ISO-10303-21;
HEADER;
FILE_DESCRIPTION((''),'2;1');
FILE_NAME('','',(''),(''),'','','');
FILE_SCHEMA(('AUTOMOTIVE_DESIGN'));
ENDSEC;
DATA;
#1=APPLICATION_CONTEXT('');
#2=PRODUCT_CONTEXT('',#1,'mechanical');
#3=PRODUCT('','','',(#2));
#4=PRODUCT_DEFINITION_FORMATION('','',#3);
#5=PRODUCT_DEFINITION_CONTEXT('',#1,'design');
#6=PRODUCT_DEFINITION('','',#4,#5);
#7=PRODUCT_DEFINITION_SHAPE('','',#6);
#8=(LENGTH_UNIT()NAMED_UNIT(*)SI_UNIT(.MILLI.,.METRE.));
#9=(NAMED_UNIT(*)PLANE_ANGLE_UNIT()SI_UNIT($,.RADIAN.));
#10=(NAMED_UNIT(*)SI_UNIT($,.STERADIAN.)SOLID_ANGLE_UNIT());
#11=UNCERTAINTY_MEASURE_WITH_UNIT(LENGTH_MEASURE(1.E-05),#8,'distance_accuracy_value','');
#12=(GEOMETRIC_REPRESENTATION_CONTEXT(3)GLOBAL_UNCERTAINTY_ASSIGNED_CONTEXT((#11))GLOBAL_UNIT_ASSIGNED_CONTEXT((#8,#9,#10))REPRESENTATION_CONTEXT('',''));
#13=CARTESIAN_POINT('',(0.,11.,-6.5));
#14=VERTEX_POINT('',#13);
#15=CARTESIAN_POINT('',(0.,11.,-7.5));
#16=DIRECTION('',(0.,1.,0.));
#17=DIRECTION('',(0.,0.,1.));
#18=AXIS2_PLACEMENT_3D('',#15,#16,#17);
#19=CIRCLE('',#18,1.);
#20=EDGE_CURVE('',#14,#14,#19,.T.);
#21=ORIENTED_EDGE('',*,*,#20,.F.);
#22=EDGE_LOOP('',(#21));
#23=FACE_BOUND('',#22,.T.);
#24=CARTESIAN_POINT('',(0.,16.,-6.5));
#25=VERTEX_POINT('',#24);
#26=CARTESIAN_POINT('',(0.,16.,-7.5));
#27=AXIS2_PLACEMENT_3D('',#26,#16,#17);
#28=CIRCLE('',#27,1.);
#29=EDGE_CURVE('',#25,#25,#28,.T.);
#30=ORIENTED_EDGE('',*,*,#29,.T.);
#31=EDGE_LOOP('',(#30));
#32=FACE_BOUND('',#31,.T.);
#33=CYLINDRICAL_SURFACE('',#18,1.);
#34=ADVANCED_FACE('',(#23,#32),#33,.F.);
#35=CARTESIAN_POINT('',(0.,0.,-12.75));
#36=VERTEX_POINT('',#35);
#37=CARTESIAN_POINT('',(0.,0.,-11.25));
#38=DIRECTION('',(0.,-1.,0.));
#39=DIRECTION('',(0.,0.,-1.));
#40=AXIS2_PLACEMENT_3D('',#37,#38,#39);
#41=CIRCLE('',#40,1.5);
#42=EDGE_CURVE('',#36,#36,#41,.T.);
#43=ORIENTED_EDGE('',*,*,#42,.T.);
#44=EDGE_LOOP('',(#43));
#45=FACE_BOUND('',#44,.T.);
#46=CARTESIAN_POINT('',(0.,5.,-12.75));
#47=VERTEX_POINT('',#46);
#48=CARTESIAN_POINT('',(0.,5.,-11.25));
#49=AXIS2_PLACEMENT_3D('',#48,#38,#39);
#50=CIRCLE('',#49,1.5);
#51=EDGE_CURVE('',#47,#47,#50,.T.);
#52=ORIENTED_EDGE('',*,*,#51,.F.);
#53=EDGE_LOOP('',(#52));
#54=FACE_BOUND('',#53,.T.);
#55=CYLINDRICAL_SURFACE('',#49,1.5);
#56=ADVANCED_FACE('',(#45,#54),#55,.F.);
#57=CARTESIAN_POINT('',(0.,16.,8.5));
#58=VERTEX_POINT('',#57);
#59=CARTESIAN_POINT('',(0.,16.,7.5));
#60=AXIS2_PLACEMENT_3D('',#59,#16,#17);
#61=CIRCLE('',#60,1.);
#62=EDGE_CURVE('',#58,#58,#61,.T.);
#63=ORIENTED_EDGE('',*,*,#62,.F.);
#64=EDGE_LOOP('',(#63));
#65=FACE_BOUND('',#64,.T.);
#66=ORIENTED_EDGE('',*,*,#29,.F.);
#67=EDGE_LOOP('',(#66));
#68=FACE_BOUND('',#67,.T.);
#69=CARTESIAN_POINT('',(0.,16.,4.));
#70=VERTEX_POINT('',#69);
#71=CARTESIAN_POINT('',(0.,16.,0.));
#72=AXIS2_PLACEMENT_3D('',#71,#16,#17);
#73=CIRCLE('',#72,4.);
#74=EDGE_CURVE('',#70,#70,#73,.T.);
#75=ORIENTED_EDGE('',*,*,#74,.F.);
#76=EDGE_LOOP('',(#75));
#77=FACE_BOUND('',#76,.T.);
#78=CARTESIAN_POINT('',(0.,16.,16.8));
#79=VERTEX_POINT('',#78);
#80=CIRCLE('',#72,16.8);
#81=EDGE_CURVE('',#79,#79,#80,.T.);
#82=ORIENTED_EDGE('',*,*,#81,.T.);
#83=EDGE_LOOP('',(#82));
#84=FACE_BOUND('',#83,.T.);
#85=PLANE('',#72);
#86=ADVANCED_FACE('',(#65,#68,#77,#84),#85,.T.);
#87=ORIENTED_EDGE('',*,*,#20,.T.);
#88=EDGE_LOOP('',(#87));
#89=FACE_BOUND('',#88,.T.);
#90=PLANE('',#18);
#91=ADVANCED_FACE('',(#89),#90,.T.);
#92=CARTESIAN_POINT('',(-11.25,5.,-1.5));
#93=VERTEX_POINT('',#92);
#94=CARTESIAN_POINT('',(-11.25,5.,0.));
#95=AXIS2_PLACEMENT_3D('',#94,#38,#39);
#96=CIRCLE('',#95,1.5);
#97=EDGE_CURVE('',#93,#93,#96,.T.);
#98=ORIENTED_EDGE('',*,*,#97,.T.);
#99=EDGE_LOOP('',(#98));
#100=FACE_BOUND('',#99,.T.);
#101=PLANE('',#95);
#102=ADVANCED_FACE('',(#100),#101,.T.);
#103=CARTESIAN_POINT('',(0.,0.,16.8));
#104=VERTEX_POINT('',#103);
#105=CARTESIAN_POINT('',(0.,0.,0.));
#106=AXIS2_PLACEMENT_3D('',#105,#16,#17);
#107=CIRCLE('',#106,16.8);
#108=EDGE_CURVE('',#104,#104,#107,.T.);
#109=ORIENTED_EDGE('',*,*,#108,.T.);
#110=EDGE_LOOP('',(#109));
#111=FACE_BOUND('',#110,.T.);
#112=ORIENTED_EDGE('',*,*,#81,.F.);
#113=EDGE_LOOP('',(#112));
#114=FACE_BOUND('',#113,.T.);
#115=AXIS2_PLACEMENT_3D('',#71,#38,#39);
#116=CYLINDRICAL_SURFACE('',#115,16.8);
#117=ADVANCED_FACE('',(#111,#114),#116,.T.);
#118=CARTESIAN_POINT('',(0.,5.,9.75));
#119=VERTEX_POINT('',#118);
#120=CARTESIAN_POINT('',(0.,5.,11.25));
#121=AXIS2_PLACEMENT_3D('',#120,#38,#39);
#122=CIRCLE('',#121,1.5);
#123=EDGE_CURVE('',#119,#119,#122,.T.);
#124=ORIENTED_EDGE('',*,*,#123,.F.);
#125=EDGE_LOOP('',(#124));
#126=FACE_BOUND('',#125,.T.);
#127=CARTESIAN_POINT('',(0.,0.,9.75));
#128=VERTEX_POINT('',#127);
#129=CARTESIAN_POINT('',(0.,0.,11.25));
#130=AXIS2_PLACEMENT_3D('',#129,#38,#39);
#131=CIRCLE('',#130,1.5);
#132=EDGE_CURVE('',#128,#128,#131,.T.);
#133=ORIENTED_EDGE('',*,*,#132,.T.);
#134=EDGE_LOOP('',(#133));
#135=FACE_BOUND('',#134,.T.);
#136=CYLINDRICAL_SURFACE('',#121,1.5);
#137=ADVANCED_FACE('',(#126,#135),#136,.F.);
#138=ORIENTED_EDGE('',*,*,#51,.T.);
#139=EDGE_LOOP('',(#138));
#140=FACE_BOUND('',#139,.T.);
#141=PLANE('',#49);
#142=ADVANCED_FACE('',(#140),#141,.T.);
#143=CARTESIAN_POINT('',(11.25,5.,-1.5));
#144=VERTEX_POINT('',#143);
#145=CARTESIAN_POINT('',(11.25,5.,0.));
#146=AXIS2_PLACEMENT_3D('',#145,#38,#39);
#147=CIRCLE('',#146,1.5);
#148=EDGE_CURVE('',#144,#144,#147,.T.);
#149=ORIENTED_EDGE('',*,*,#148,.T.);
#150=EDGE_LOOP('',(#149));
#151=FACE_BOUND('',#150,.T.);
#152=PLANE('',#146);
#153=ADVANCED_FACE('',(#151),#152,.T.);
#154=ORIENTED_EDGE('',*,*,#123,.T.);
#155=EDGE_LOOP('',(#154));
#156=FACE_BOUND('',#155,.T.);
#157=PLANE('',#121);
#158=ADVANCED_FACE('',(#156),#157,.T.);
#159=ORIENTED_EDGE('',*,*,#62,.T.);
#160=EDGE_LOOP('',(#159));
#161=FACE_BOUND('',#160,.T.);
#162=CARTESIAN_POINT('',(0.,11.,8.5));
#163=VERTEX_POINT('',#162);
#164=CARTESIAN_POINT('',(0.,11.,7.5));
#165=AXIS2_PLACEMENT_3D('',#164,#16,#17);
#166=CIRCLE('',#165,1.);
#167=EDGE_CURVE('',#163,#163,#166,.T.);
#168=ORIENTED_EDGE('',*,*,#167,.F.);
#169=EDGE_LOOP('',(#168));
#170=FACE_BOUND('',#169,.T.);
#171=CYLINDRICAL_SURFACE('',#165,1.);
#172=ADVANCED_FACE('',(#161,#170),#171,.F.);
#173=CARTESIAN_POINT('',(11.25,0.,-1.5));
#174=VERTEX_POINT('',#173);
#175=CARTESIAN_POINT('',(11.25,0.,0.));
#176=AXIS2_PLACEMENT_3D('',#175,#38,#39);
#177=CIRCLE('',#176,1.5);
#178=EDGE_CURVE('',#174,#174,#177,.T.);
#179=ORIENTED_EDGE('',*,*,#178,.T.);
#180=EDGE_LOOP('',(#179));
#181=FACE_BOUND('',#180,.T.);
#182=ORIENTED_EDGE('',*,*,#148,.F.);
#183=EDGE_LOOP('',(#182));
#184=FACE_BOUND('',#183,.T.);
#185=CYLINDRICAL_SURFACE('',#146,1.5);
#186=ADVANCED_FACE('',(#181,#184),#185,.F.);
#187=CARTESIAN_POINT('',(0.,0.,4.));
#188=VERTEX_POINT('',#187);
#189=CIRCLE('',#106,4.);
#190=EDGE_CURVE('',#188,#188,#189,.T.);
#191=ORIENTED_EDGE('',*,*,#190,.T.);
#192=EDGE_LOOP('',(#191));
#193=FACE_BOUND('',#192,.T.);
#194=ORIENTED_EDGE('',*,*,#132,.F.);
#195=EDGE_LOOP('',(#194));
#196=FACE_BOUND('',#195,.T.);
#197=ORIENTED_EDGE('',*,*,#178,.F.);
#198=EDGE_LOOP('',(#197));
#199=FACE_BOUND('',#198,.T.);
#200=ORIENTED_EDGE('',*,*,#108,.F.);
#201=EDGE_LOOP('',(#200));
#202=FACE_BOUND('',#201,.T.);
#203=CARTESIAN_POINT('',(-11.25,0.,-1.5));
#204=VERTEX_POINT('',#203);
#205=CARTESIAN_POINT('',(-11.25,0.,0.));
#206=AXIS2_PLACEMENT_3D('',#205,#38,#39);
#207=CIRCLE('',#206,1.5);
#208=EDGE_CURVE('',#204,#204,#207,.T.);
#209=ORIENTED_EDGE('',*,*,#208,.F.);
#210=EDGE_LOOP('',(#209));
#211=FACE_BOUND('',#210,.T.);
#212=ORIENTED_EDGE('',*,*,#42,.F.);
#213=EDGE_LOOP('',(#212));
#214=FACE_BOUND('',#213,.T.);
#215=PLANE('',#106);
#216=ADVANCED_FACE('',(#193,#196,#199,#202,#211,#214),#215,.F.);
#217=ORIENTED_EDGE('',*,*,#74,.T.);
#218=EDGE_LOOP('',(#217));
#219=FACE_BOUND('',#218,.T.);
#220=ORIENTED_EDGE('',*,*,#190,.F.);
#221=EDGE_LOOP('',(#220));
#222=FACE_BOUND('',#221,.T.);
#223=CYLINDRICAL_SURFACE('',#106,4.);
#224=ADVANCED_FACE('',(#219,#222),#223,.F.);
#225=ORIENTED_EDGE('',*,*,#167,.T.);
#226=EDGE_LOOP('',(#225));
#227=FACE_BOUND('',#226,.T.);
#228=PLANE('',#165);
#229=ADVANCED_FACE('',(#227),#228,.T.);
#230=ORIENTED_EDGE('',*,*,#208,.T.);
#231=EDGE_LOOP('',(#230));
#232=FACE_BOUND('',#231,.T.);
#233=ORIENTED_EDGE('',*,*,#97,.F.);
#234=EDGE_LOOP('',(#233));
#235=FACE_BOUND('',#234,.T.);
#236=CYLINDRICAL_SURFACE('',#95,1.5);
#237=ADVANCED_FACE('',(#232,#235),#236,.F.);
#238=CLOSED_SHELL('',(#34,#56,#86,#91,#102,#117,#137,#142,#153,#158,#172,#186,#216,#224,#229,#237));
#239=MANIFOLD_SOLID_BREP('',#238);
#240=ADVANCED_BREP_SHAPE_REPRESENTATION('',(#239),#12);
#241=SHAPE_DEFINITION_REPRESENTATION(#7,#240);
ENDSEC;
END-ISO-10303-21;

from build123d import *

# Parameters (mm, degrees)
SKETCH1_R           = 16.8
BOSS_EXTRUDE1_DEPTH = 16
SKETCH2_R           = 4
CUT_EXTRUDE1_DEPTH  = 29.644022064
SKETCH3_R           = 1
CUT_EXTRUDE2_DEPTH  = 5
SKETCH4_R           = 1.5
CUT_EXTRUDE3_DEPTH  = 5


with BuildPart() as part:
    # Sketch1 → Boss-Extrude1 (new body)
    with BuildSketch(Plane(origin=(0, 0, 0), x_dir=(1, 0, 0), z_dir=(0, 1, 0))):
        with Locations(Location((0, 0, 0), (0, 0, 270))):
            Circle(SKETCH1_R)
    extrude(amount=BOSS_EXTRUDE1_DEPTH)

    # Sketch2 → Cut-Extrude1 (cut, through all)
    with BuildSketch(Plane(origin=(0, 16, 0), x_dir=(1, 0, 0), z_dir=(0, 1, 0))):
        with Locations(Location((0, 0, 0), (0, 0, 270))):
            Circle(SKETCH2_R)
    extrude(amount=-CUT_EXTRUDE1_DEPTH, mode=Mode.SUBTRACT)

    # Sketch3 → Cut-Extrude2 (cut)
    with BuildSketch(Plane(origin=(0, 16, 0), x_dir=(1, 0, 0), z_dir=(0, 1, 0))):
        with Locations(Location((0, 7.5, 0), (0, 0, 270))):
            Circle(SKETCH3_R)
        with Locations(Location((0, -7.5, 0), (0, 0, 270))):
            Circle(SKETCH3_R)
    extrude(amount=-CUT_EXTRUDE2_DEPTH, mode=Mode.SUBTRACT)

    # Sketch4 → Cut-Extrude3 (cut)
    with BuildSketch(Plane.XZ):
        with Locations(Location((0, 11.25, 0), (0, 0, 270))):
            Circle(SKETCH4_R)
        with Locations(Location((11.25, 0, 0), (0, 0, 270))):
            Circle(SKETCH4_R)
        with Locations(Location((0, -11.25, 0), (0, 0, 270))):
            Circle(SKETCH4_R)
        with Locations(Location((-11.25, 0, 0), (0, 0, 270))):
            Circle(SKETCH4_R)
    extrude(amount=-CUT_EXTRUDE3_DEPTH, mode=Mode.SUBTRACT)


solid = part.part
